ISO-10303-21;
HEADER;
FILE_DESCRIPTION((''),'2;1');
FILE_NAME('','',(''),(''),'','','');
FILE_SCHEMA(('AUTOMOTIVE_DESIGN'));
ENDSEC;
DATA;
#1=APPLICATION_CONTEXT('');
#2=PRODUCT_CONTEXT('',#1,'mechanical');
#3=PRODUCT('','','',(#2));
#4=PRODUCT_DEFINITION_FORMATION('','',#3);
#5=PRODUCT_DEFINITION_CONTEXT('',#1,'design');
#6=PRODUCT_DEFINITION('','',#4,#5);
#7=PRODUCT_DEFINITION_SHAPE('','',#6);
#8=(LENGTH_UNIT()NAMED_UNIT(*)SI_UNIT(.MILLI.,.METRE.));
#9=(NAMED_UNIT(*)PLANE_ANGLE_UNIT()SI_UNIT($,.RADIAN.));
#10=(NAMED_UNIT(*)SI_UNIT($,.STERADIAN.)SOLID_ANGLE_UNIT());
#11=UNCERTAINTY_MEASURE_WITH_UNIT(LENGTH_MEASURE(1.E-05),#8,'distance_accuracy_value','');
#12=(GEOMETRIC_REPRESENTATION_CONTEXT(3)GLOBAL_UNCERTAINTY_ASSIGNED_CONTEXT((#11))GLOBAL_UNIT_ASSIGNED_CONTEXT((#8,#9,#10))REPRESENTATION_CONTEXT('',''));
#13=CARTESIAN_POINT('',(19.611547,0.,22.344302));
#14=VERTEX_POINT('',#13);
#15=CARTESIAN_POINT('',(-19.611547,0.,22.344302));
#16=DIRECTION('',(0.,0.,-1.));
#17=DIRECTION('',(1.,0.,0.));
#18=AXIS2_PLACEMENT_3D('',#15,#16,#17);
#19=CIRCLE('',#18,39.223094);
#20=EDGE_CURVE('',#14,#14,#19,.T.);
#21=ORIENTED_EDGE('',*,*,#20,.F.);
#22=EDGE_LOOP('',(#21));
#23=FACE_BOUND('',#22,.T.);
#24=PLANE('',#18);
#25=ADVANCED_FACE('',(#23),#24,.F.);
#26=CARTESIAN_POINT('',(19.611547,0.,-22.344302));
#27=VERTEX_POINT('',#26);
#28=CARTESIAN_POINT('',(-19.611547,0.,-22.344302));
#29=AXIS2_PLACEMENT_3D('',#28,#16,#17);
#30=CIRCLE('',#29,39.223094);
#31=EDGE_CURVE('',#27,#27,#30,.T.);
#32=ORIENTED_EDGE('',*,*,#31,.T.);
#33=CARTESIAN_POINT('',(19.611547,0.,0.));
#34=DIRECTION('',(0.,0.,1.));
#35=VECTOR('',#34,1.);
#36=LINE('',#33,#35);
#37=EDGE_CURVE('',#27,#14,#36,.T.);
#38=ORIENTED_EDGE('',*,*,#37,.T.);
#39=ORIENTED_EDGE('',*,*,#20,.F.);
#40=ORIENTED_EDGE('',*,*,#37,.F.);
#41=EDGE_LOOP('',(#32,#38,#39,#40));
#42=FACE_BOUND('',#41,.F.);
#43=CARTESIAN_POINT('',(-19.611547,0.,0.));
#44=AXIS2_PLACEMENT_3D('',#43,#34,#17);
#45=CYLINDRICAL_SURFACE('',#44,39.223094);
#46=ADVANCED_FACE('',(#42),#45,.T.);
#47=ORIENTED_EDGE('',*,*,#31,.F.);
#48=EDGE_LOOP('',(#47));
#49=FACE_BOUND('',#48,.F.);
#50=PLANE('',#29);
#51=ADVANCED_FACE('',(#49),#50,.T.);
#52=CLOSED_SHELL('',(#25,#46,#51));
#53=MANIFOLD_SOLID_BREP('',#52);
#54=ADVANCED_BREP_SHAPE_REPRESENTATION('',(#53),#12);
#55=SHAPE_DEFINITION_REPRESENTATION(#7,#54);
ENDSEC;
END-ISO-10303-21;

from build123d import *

# Parameters (mm, degrees)
F0_W = 39.223094
F0_H = 44.688604


with BuildPart() as f1:
    # F0 (on Front) → F1 (revolve)
    with BuildSketch(Plane.XZ):
        Rectangle(F0_W, F0_H)
    revolve(axis=Axis((-19.611547, 0, 0), (0, 0, -1)))


solid = f1.part
